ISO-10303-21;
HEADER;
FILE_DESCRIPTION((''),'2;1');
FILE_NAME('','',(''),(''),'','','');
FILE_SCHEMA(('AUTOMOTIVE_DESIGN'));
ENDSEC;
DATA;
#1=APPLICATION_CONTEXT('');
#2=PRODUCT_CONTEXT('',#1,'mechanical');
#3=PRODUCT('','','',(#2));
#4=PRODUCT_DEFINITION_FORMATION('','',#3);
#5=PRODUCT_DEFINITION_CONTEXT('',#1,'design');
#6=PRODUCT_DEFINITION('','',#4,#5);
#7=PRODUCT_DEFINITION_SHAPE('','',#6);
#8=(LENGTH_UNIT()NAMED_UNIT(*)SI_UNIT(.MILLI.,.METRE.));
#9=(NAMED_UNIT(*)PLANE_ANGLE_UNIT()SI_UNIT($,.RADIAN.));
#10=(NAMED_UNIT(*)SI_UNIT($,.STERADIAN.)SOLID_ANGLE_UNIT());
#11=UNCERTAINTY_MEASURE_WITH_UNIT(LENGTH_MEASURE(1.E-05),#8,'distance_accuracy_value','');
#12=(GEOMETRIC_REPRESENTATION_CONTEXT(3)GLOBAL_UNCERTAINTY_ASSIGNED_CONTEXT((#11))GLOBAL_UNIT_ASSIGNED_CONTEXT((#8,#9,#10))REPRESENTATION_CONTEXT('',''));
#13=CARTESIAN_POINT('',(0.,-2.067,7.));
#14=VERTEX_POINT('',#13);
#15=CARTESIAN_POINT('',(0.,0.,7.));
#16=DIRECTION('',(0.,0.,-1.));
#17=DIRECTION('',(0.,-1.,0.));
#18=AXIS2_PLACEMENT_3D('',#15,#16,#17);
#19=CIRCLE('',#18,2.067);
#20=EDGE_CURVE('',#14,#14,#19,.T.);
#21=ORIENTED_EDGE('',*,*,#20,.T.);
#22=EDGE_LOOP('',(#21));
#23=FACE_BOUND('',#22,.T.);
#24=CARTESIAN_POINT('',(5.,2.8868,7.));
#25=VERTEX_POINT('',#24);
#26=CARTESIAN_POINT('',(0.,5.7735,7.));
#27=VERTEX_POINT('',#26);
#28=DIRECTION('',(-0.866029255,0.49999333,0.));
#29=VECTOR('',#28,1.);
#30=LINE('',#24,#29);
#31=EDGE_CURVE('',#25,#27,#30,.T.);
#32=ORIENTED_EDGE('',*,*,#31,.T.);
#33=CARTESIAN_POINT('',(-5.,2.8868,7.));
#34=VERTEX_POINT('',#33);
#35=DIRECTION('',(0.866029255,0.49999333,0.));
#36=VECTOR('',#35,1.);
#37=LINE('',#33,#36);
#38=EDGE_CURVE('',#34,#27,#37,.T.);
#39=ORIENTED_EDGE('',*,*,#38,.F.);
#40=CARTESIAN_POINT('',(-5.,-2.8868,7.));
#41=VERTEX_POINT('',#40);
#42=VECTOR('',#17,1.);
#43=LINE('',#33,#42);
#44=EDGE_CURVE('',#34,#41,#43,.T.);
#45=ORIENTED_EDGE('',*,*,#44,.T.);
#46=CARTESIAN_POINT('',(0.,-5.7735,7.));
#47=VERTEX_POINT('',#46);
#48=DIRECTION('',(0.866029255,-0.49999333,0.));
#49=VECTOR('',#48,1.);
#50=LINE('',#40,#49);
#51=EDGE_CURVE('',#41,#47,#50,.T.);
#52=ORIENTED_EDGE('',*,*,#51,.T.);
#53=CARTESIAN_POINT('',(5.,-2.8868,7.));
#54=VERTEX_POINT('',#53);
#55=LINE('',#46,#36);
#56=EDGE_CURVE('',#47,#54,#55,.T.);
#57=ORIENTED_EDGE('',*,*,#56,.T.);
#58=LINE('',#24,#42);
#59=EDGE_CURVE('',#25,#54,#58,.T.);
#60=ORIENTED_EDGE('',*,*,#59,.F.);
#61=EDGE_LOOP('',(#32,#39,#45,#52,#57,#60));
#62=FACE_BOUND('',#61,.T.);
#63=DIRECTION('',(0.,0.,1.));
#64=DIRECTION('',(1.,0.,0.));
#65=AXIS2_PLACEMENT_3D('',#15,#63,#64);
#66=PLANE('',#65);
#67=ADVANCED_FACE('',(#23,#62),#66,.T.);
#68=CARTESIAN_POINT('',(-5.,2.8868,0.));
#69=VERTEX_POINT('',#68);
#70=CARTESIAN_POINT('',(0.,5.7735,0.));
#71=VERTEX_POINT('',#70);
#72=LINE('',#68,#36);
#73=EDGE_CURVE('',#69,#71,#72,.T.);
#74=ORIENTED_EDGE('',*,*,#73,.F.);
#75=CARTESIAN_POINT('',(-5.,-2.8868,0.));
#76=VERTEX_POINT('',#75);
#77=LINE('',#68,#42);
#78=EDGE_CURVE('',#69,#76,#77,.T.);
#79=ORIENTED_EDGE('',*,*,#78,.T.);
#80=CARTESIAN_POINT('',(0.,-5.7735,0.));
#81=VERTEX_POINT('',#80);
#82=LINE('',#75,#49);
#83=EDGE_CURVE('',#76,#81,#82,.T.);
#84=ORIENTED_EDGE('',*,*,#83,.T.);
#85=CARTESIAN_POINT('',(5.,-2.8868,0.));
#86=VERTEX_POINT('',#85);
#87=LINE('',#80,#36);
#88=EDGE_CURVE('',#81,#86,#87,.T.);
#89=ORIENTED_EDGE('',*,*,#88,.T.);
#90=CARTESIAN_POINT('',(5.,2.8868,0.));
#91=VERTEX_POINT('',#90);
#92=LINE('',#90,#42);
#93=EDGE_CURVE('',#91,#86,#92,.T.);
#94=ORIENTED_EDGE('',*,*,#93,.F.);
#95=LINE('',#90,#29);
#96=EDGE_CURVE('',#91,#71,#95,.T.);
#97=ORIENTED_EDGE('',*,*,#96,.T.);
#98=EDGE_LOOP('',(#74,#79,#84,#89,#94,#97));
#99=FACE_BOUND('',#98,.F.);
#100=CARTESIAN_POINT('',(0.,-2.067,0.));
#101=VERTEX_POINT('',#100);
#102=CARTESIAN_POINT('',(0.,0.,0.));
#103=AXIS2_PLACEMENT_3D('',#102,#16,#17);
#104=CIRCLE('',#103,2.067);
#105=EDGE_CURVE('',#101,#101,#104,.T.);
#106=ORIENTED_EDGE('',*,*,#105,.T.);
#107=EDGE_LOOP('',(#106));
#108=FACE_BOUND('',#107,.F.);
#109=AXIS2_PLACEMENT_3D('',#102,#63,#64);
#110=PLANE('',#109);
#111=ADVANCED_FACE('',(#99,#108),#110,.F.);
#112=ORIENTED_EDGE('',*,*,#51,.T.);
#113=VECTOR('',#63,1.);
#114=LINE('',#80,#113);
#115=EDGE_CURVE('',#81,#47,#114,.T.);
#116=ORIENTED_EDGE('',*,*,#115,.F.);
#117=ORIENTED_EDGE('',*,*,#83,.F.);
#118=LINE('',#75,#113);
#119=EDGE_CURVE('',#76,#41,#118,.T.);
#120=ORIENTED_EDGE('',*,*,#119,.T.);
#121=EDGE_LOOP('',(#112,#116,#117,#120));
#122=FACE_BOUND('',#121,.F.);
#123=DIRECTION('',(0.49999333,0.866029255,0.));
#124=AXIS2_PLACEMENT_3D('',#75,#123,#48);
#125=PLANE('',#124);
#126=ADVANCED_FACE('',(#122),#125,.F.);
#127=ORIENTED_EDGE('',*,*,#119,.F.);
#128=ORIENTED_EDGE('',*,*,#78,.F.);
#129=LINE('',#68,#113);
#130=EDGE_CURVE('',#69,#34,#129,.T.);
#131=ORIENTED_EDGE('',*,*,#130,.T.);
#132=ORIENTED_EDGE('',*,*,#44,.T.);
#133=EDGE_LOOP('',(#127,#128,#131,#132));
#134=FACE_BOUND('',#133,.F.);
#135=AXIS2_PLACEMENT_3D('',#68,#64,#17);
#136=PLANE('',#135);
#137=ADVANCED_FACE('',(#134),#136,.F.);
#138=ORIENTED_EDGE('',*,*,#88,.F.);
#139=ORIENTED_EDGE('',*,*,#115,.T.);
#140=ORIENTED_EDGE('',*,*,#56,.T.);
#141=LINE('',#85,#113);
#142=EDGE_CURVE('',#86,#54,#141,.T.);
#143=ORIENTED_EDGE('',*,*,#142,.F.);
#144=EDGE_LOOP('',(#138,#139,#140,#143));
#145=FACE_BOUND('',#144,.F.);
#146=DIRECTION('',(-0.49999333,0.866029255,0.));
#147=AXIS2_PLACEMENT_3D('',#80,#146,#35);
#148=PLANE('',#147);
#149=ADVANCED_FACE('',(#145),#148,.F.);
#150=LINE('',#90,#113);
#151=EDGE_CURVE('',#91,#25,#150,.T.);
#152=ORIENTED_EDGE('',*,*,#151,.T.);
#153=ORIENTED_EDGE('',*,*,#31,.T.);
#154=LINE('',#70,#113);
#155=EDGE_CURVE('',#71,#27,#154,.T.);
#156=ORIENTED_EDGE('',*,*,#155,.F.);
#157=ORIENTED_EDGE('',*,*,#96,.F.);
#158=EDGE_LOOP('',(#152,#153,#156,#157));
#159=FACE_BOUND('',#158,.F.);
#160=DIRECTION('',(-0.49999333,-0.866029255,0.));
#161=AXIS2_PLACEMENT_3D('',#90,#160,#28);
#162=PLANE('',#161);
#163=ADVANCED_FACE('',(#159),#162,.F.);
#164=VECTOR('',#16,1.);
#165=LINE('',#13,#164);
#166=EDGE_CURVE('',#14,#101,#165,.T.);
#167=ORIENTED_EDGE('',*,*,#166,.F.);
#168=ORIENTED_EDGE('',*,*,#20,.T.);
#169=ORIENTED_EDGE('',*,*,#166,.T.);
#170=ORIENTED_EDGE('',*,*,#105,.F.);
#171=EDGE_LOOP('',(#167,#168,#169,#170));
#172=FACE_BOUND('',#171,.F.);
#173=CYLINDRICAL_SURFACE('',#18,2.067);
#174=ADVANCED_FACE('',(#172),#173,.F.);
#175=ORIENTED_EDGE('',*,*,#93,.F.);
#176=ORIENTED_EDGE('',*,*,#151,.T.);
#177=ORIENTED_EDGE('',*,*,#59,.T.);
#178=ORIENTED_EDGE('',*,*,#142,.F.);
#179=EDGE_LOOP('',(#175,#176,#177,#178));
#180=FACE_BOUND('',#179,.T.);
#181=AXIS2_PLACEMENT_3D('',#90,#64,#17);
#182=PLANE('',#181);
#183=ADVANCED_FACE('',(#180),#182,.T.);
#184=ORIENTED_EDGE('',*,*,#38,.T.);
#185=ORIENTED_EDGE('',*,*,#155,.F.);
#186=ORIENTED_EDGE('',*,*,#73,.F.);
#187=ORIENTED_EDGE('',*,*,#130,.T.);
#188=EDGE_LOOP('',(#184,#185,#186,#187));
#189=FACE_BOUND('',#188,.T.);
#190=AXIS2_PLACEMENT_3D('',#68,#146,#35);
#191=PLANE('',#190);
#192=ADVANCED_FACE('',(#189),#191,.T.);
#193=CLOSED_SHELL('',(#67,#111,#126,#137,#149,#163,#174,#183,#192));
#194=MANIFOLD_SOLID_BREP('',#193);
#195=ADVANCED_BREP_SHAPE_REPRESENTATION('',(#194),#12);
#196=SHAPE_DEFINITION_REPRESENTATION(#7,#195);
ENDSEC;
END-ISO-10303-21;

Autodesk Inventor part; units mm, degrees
ref_plane "YZ Plane" through (0, 0, 0) normal (1, 0, 0) x (0, 1, 0)
ref_plane "XZ Plane" through (0, 0, 0) normal (0, 1, 0) x (-1, 0, 0)
ref_plane "XY Plane" through (0, 0, 0) normal (0, 0, 1) x (1, 0, 0)
sketch "Sketch1" plane through (0, 0, 0) normal (0, 0, 1) x (1, 0, 0)
  line L0 (5, 2.8868) -> (5, -2.8868)
  line L1 (5, 2.8868) -> (0, 5.7735)
  line L2 (-5, 2.8868) -> (0, 5.7735)
  line L3 (0, -5.7735) -> (5, -2.8868)
  line L4 (-5, 2.8868) -> (-5, -2.8868)
  line L5 (-5, -2.8868) -> (0, -5.7735)
  point P0 (0, 0)
  point P1 (0, 0)
  point P2 (0, 0)
  point P3 (0, 0)
  point P4 (0, 0)
  dimension "d0" = 120
  dimension "d1" = 120
  dimension "d2" = 120
  dimension "d3" = 120
  dimension "d4" = 120
  dimension "d5" = 120
  dimension "d6" = 10
  dimension "d7" = 5
extrude "Extrusion1" add sketch "Sketch1" along normal blind 7
sketch "Sketch2" plane through (0, 0, 7) normal (0, 0, 1) x (1, 0, 0)
  point P0 (0, 0)
  point P1 (0, 0)
hole "Hole1" at (0, 0, 7) direction (0, 0, -1) diameter 4.134 end through all thread size "M5x0.8" class "6H" standard "ISO Metric profile"
properties part number "Nut-5" material "Steel, Mild"
